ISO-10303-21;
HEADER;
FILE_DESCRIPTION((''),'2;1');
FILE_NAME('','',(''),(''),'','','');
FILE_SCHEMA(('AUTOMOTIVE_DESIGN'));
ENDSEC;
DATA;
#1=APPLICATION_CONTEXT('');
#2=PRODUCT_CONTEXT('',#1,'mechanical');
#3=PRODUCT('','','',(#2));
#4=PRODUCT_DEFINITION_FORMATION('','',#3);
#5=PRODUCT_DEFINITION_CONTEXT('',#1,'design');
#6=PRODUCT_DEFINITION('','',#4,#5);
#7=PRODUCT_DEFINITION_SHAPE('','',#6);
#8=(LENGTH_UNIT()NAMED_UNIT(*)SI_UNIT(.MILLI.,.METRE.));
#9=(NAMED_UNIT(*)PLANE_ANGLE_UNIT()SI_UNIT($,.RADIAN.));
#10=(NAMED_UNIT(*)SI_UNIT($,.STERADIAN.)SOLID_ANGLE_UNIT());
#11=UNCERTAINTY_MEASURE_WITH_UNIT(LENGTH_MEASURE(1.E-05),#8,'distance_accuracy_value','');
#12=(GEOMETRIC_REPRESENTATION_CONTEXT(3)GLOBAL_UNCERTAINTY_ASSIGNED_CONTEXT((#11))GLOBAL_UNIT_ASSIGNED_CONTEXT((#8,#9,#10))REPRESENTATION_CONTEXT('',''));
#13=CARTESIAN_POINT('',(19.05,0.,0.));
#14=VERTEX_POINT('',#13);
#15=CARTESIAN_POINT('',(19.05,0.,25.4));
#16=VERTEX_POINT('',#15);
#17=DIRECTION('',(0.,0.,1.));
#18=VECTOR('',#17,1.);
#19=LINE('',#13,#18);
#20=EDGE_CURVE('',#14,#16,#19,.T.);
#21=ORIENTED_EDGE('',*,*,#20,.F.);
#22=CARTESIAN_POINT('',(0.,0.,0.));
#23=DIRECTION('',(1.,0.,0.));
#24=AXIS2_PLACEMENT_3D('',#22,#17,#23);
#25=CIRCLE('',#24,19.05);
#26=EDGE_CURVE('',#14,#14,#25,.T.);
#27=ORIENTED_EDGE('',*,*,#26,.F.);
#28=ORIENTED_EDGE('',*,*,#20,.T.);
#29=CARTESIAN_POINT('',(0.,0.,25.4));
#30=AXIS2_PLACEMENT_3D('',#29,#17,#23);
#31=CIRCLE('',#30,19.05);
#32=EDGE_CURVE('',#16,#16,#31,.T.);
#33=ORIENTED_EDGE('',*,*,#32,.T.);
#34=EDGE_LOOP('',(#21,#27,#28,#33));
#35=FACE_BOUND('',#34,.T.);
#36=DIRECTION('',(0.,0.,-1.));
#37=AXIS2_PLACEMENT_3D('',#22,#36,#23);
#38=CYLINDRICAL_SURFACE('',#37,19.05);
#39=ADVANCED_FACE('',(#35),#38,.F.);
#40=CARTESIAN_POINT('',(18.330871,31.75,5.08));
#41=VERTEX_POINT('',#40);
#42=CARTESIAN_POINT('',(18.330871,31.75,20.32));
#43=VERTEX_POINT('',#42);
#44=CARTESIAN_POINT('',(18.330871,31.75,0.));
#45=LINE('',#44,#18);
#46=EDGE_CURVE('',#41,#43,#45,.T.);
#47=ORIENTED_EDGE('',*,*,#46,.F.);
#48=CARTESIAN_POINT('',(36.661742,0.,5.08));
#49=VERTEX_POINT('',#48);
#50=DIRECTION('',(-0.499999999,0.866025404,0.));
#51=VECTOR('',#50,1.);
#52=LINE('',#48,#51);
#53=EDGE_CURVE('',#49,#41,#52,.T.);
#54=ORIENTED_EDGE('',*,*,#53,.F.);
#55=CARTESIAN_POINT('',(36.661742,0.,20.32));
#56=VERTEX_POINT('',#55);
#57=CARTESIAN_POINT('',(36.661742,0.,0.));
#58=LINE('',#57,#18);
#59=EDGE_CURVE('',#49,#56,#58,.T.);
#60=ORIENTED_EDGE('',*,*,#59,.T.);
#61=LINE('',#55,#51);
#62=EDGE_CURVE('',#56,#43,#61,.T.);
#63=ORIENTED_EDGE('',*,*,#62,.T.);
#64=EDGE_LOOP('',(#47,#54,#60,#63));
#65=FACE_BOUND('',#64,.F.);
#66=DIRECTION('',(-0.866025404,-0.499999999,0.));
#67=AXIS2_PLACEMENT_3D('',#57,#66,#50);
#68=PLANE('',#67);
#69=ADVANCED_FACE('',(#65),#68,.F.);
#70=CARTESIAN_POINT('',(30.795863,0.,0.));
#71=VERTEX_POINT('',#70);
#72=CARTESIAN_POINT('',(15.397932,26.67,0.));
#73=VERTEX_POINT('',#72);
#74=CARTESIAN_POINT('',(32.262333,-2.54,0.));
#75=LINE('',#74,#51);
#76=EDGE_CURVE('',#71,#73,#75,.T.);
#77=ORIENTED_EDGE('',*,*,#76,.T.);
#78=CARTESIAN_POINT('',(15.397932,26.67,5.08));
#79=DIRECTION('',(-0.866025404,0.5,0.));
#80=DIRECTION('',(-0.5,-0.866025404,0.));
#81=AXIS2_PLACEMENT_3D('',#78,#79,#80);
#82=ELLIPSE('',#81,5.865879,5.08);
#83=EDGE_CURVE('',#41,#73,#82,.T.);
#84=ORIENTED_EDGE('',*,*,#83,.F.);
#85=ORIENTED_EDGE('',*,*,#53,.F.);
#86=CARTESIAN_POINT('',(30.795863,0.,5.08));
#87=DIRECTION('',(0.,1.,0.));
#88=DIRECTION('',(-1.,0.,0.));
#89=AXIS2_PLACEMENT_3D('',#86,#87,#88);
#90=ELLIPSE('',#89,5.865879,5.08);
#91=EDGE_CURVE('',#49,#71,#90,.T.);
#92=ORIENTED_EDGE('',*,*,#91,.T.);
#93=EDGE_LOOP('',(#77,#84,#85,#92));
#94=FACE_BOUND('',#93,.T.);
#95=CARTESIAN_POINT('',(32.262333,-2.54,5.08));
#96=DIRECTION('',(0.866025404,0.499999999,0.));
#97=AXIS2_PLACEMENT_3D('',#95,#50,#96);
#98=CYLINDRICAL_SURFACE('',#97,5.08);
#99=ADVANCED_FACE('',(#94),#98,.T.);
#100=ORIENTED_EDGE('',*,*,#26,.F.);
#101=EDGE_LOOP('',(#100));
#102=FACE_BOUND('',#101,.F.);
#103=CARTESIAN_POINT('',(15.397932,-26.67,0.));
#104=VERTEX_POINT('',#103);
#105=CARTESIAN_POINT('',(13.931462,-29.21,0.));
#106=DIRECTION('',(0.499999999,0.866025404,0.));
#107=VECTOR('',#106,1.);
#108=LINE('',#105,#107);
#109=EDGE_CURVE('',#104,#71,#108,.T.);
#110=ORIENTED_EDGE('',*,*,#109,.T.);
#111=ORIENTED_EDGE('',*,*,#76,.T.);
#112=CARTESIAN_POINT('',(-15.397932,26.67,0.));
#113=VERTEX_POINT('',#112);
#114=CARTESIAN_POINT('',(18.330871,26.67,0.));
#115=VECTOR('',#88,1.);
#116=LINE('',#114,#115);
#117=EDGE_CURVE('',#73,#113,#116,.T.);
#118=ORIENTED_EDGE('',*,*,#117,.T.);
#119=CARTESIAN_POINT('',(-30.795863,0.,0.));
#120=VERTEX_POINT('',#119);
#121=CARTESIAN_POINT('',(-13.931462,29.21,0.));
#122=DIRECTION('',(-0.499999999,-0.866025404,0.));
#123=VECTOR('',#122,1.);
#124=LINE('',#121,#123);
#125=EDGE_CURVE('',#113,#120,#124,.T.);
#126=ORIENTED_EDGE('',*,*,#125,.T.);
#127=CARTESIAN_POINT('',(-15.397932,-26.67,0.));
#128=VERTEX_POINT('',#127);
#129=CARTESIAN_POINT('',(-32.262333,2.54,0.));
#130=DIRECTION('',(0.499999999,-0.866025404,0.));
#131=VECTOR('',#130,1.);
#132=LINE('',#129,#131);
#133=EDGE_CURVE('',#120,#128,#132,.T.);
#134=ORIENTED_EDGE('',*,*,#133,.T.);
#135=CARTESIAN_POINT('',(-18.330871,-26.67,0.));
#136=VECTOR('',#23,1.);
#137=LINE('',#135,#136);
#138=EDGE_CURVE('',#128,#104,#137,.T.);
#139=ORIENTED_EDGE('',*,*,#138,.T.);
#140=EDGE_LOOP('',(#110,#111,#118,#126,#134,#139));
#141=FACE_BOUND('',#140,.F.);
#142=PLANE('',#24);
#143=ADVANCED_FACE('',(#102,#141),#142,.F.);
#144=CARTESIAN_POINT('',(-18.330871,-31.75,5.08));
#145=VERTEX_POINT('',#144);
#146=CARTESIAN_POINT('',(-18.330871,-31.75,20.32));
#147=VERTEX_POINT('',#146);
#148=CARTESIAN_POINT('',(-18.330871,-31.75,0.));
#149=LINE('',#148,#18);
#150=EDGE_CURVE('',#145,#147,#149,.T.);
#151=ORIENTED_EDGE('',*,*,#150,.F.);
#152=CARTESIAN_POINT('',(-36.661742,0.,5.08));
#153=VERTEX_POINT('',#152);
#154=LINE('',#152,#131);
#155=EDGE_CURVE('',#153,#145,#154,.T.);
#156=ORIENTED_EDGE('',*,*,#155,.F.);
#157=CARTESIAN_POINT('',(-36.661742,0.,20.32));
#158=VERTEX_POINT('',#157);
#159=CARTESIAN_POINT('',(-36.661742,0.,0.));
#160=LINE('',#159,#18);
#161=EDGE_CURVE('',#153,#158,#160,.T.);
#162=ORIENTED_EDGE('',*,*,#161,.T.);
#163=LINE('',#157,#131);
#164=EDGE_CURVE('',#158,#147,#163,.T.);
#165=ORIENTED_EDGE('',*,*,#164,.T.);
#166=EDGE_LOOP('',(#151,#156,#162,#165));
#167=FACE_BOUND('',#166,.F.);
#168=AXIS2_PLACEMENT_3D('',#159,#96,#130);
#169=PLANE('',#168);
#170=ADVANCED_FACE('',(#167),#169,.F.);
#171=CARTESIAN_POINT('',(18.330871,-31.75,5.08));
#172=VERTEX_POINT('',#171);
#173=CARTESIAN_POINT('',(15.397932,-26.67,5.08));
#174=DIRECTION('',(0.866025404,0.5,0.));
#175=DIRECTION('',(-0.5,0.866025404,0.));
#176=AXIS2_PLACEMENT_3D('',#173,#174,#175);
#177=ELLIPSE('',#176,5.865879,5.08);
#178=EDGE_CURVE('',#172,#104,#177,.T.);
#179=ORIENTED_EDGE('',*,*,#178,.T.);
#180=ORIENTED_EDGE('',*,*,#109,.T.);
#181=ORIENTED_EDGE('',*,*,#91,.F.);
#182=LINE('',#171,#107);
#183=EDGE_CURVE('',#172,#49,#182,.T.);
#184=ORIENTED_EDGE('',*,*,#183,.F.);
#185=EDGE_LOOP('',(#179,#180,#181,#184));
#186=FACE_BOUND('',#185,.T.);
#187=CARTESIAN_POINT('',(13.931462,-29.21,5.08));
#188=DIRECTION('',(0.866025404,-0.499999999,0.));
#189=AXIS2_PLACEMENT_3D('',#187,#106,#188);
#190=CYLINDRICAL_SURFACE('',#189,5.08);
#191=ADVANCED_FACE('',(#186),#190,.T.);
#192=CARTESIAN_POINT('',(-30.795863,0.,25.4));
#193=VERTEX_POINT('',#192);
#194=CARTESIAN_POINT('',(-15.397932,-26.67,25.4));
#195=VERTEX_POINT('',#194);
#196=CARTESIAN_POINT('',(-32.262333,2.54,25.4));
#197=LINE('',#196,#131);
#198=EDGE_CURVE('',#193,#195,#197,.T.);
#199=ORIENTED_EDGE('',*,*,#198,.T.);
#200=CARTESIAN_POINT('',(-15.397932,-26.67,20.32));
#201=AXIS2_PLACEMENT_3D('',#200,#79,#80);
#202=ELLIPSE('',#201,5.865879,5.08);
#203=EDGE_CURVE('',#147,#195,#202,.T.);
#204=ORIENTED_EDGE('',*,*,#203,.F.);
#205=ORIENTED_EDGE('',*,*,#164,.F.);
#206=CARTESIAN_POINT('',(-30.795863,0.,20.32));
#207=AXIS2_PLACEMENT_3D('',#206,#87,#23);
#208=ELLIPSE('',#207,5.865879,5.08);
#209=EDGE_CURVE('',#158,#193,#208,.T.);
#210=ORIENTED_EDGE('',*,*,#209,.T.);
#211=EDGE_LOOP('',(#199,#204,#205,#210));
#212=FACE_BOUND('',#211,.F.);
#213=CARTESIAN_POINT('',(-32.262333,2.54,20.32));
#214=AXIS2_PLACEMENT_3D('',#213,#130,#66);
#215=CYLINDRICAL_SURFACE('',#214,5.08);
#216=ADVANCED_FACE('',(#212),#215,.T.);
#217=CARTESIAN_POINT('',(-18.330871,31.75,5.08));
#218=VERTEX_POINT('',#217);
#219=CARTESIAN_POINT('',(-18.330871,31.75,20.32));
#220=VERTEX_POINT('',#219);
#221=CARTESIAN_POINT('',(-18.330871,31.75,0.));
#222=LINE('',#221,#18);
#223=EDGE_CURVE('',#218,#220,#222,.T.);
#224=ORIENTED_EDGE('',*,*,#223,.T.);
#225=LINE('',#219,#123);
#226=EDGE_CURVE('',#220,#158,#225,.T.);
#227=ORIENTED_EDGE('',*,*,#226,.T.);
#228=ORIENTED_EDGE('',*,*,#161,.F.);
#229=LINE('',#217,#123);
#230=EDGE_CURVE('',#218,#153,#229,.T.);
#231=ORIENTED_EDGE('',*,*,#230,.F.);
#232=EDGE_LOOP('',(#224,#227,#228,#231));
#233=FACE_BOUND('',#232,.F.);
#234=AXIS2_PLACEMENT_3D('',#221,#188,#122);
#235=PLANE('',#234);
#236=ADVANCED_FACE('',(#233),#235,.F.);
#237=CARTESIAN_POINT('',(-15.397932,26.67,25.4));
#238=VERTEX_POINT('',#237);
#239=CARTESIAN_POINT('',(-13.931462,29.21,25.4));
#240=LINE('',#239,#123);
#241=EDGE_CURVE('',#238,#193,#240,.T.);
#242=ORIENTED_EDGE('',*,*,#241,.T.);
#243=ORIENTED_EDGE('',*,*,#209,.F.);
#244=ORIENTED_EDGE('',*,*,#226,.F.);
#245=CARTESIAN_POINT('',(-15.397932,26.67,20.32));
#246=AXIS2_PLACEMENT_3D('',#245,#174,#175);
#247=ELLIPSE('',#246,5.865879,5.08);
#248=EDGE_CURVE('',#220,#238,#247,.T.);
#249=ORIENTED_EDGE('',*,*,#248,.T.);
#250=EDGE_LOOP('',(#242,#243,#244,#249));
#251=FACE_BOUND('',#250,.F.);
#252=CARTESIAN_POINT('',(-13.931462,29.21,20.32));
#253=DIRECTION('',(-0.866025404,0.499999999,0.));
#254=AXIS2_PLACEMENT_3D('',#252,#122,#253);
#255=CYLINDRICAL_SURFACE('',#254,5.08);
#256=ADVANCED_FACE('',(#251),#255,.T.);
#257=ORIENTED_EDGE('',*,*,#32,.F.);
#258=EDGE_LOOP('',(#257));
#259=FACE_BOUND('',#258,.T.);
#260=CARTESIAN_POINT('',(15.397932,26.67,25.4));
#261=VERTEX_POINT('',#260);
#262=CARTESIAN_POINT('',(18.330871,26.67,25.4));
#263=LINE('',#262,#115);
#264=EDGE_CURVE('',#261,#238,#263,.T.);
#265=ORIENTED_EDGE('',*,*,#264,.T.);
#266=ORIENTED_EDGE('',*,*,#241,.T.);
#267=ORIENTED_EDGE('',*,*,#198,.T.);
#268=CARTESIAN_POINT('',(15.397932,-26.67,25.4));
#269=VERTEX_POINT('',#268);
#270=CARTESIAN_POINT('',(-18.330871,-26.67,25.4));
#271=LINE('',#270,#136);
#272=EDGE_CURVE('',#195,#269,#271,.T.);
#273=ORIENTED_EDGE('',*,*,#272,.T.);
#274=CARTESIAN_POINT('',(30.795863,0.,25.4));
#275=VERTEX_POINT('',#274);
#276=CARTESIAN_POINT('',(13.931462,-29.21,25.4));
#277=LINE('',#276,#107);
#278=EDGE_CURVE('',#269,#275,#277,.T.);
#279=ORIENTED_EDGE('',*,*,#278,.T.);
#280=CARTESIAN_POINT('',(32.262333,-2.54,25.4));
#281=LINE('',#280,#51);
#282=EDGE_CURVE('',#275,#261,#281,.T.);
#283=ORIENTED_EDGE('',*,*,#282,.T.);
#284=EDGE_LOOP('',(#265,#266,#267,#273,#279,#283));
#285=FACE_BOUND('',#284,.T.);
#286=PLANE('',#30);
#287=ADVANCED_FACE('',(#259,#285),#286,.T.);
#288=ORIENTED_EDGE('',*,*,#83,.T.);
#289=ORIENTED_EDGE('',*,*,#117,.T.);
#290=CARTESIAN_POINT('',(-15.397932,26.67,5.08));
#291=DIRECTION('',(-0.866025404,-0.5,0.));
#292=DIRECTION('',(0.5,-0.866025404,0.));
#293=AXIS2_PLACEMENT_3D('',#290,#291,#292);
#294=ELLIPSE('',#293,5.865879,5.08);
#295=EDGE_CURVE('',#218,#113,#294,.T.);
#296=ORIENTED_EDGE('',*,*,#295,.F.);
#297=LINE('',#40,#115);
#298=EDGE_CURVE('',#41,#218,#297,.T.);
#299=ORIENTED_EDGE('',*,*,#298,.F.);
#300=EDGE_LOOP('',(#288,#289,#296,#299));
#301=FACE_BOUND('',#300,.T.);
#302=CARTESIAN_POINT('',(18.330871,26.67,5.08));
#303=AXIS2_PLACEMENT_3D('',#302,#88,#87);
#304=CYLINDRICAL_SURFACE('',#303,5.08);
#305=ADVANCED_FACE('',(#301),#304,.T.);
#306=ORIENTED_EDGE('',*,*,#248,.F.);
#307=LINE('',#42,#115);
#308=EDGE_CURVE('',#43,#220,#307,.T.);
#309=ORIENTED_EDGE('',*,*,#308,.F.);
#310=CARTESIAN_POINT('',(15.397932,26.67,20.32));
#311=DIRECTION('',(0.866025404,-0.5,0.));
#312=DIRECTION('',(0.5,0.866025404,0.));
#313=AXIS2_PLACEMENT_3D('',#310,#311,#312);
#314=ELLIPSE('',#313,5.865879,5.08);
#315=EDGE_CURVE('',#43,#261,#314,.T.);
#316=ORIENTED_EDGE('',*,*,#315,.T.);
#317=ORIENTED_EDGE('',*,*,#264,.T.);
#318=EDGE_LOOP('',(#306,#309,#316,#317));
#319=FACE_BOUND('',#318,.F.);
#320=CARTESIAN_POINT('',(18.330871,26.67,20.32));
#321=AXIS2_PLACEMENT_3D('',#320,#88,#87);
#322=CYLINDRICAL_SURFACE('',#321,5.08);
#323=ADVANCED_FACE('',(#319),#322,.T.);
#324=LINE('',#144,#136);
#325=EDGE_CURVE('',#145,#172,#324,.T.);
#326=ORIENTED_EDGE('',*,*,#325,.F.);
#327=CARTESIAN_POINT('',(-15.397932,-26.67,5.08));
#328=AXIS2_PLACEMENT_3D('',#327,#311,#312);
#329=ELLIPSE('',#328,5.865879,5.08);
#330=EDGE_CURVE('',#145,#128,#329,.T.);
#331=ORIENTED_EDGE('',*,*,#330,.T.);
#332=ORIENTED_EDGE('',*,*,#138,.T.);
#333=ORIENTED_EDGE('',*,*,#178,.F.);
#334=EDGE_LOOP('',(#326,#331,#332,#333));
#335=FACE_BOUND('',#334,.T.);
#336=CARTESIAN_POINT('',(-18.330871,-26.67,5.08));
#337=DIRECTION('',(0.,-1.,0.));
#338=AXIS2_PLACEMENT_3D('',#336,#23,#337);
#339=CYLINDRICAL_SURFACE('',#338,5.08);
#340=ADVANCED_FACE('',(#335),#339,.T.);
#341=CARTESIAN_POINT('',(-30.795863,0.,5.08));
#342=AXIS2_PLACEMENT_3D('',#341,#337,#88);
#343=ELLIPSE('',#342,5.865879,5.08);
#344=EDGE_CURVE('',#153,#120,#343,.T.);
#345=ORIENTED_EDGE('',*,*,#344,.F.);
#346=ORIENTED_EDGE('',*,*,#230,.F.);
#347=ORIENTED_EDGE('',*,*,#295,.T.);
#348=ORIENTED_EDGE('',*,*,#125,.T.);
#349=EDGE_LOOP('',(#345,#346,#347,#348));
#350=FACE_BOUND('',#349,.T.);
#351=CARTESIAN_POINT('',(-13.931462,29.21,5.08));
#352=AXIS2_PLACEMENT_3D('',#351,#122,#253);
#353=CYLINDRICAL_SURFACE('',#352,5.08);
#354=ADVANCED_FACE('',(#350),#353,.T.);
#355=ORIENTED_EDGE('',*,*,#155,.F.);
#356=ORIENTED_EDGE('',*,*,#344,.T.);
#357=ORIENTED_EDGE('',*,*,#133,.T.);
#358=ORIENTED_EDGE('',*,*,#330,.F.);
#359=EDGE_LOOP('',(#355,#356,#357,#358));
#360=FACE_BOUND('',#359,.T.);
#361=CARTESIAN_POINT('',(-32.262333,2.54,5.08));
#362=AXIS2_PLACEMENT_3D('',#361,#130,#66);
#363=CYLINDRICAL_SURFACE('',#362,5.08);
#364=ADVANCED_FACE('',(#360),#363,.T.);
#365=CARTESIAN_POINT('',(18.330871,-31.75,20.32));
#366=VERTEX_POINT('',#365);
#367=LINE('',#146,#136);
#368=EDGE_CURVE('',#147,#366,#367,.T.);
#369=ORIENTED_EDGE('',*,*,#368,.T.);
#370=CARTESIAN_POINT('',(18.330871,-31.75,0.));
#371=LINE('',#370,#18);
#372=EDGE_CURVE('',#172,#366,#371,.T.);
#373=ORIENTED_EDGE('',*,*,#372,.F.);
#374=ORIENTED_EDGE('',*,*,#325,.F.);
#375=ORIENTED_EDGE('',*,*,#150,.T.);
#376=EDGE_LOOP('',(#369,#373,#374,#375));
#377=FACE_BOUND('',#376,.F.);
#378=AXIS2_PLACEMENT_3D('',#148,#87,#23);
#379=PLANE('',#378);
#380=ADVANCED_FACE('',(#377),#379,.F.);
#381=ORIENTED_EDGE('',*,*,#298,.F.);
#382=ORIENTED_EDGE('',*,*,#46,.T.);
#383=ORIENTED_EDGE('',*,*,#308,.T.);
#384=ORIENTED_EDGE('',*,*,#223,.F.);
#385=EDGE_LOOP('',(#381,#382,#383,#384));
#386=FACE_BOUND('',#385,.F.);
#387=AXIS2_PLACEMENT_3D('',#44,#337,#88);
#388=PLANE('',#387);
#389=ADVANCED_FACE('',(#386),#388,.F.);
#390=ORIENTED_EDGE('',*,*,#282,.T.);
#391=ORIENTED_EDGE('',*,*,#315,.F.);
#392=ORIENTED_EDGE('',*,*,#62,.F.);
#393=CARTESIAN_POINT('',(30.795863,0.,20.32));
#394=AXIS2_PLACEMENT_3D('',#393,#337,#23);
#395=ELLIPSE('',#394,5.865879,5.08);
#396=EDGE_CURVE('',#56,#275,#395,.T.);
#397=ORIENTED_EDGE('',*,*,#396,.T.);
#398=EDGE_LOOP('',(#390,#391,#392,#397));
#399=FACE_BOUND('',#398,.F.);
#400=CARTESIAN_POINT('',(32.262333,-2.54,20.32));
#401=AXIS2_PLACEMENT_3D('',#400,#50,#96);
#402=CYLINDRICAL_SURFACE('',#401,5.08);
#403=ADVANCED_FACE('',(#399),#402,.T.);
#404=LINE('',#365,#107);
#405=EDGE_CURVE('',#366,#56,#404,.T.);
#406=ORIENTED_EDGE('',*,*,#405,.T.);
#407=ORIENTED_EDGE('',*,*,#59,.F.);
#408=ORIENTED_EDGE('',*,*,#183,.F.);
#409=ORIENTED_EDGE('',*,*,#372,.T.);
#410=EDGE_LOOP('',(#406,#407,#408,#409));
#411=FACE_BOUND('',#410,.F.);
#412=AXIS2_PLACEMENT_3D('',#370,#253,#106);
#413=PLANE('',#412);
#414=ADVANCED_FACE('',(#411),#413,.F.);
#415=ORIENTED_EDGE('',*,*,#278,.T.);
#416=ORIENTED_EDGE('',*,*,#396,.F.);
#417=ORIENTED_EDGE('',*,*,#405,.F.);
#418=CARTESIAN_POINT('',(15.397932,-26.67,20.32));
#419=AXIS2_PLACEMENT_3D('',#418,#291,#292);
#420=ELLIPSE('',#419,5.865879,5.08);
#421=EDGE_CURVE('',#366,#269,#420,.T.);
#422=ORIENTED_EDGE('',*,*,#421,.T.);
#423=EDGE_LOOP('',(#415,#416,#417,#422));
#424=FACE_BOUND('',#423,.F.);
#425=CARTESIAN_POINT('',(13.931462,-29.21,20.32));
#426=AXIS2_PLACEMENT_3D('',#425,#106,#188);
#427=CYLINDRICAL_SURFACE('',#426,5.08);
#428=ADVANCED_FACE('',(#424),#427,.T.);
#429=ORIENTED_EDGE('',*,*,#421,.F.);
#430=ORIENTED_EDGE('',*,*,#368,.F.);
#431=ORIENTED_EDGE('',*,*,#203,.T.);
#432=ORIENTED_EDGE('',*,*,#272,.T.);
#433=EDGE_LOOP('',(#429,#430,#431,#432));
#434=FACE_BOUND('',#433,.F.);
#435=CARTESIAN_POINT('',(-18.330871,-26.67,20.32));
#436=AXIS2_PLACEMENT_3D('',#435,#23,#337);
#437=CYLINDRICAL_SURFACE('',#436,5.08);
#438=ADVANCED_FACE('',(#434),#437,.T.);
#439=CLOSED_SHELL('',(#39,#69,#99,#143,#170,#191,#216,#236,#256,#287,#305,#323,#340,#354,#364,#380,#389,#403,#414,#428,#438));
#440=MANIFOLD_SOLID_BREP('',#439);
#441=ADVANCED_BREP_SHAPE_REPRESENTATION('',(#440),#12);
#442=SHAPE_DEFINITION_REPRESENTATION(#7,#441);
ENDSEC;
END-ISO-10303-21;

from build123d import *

# Parameters (mm, degrees)
F0_R     = 19.05
F1_DEPTH = 25.4
F2_R     = 5.08


with BuildPart() as f1:
    # F0 (on Top) → F1 (new body)
    with BuildSketch(Plane.XY):
        Polygon((18.330871, -31.75), (36.661742, 0), (18.330871, 31.75), (-18.330871, 31.75), (-36.661742, 0), (-18.330871, -31.75), align=None)
        Circle(F0_R, mode=Mode.SUBTRACT)
    extrude(amount=F1_DEPTH)

    # F2
    f2_edges = [f1.edges().sort_by_distance(p)[0] for p in [
        (-27.496307, -15.875, 25.4),
        (0, -31.75, 25.4),
        (27.496307, -15.875, 25.4),
        (27.496307, 15.875, 25.4),
        (0, 31.75, 25.4),
        (-27.496307, 15.875, 25.4),
        (-27.496307, 15.875, 0),
        (0, 31.75, 0),
        (27.496307, 15.875, 0),
        (27.496307, -15.875, 0),
        (0, -31.75, 0),
        (-27.496307, -15.875, 0),
    ]]
    fillet(f2_edges, radius=F2_R)


solid = f1.part
